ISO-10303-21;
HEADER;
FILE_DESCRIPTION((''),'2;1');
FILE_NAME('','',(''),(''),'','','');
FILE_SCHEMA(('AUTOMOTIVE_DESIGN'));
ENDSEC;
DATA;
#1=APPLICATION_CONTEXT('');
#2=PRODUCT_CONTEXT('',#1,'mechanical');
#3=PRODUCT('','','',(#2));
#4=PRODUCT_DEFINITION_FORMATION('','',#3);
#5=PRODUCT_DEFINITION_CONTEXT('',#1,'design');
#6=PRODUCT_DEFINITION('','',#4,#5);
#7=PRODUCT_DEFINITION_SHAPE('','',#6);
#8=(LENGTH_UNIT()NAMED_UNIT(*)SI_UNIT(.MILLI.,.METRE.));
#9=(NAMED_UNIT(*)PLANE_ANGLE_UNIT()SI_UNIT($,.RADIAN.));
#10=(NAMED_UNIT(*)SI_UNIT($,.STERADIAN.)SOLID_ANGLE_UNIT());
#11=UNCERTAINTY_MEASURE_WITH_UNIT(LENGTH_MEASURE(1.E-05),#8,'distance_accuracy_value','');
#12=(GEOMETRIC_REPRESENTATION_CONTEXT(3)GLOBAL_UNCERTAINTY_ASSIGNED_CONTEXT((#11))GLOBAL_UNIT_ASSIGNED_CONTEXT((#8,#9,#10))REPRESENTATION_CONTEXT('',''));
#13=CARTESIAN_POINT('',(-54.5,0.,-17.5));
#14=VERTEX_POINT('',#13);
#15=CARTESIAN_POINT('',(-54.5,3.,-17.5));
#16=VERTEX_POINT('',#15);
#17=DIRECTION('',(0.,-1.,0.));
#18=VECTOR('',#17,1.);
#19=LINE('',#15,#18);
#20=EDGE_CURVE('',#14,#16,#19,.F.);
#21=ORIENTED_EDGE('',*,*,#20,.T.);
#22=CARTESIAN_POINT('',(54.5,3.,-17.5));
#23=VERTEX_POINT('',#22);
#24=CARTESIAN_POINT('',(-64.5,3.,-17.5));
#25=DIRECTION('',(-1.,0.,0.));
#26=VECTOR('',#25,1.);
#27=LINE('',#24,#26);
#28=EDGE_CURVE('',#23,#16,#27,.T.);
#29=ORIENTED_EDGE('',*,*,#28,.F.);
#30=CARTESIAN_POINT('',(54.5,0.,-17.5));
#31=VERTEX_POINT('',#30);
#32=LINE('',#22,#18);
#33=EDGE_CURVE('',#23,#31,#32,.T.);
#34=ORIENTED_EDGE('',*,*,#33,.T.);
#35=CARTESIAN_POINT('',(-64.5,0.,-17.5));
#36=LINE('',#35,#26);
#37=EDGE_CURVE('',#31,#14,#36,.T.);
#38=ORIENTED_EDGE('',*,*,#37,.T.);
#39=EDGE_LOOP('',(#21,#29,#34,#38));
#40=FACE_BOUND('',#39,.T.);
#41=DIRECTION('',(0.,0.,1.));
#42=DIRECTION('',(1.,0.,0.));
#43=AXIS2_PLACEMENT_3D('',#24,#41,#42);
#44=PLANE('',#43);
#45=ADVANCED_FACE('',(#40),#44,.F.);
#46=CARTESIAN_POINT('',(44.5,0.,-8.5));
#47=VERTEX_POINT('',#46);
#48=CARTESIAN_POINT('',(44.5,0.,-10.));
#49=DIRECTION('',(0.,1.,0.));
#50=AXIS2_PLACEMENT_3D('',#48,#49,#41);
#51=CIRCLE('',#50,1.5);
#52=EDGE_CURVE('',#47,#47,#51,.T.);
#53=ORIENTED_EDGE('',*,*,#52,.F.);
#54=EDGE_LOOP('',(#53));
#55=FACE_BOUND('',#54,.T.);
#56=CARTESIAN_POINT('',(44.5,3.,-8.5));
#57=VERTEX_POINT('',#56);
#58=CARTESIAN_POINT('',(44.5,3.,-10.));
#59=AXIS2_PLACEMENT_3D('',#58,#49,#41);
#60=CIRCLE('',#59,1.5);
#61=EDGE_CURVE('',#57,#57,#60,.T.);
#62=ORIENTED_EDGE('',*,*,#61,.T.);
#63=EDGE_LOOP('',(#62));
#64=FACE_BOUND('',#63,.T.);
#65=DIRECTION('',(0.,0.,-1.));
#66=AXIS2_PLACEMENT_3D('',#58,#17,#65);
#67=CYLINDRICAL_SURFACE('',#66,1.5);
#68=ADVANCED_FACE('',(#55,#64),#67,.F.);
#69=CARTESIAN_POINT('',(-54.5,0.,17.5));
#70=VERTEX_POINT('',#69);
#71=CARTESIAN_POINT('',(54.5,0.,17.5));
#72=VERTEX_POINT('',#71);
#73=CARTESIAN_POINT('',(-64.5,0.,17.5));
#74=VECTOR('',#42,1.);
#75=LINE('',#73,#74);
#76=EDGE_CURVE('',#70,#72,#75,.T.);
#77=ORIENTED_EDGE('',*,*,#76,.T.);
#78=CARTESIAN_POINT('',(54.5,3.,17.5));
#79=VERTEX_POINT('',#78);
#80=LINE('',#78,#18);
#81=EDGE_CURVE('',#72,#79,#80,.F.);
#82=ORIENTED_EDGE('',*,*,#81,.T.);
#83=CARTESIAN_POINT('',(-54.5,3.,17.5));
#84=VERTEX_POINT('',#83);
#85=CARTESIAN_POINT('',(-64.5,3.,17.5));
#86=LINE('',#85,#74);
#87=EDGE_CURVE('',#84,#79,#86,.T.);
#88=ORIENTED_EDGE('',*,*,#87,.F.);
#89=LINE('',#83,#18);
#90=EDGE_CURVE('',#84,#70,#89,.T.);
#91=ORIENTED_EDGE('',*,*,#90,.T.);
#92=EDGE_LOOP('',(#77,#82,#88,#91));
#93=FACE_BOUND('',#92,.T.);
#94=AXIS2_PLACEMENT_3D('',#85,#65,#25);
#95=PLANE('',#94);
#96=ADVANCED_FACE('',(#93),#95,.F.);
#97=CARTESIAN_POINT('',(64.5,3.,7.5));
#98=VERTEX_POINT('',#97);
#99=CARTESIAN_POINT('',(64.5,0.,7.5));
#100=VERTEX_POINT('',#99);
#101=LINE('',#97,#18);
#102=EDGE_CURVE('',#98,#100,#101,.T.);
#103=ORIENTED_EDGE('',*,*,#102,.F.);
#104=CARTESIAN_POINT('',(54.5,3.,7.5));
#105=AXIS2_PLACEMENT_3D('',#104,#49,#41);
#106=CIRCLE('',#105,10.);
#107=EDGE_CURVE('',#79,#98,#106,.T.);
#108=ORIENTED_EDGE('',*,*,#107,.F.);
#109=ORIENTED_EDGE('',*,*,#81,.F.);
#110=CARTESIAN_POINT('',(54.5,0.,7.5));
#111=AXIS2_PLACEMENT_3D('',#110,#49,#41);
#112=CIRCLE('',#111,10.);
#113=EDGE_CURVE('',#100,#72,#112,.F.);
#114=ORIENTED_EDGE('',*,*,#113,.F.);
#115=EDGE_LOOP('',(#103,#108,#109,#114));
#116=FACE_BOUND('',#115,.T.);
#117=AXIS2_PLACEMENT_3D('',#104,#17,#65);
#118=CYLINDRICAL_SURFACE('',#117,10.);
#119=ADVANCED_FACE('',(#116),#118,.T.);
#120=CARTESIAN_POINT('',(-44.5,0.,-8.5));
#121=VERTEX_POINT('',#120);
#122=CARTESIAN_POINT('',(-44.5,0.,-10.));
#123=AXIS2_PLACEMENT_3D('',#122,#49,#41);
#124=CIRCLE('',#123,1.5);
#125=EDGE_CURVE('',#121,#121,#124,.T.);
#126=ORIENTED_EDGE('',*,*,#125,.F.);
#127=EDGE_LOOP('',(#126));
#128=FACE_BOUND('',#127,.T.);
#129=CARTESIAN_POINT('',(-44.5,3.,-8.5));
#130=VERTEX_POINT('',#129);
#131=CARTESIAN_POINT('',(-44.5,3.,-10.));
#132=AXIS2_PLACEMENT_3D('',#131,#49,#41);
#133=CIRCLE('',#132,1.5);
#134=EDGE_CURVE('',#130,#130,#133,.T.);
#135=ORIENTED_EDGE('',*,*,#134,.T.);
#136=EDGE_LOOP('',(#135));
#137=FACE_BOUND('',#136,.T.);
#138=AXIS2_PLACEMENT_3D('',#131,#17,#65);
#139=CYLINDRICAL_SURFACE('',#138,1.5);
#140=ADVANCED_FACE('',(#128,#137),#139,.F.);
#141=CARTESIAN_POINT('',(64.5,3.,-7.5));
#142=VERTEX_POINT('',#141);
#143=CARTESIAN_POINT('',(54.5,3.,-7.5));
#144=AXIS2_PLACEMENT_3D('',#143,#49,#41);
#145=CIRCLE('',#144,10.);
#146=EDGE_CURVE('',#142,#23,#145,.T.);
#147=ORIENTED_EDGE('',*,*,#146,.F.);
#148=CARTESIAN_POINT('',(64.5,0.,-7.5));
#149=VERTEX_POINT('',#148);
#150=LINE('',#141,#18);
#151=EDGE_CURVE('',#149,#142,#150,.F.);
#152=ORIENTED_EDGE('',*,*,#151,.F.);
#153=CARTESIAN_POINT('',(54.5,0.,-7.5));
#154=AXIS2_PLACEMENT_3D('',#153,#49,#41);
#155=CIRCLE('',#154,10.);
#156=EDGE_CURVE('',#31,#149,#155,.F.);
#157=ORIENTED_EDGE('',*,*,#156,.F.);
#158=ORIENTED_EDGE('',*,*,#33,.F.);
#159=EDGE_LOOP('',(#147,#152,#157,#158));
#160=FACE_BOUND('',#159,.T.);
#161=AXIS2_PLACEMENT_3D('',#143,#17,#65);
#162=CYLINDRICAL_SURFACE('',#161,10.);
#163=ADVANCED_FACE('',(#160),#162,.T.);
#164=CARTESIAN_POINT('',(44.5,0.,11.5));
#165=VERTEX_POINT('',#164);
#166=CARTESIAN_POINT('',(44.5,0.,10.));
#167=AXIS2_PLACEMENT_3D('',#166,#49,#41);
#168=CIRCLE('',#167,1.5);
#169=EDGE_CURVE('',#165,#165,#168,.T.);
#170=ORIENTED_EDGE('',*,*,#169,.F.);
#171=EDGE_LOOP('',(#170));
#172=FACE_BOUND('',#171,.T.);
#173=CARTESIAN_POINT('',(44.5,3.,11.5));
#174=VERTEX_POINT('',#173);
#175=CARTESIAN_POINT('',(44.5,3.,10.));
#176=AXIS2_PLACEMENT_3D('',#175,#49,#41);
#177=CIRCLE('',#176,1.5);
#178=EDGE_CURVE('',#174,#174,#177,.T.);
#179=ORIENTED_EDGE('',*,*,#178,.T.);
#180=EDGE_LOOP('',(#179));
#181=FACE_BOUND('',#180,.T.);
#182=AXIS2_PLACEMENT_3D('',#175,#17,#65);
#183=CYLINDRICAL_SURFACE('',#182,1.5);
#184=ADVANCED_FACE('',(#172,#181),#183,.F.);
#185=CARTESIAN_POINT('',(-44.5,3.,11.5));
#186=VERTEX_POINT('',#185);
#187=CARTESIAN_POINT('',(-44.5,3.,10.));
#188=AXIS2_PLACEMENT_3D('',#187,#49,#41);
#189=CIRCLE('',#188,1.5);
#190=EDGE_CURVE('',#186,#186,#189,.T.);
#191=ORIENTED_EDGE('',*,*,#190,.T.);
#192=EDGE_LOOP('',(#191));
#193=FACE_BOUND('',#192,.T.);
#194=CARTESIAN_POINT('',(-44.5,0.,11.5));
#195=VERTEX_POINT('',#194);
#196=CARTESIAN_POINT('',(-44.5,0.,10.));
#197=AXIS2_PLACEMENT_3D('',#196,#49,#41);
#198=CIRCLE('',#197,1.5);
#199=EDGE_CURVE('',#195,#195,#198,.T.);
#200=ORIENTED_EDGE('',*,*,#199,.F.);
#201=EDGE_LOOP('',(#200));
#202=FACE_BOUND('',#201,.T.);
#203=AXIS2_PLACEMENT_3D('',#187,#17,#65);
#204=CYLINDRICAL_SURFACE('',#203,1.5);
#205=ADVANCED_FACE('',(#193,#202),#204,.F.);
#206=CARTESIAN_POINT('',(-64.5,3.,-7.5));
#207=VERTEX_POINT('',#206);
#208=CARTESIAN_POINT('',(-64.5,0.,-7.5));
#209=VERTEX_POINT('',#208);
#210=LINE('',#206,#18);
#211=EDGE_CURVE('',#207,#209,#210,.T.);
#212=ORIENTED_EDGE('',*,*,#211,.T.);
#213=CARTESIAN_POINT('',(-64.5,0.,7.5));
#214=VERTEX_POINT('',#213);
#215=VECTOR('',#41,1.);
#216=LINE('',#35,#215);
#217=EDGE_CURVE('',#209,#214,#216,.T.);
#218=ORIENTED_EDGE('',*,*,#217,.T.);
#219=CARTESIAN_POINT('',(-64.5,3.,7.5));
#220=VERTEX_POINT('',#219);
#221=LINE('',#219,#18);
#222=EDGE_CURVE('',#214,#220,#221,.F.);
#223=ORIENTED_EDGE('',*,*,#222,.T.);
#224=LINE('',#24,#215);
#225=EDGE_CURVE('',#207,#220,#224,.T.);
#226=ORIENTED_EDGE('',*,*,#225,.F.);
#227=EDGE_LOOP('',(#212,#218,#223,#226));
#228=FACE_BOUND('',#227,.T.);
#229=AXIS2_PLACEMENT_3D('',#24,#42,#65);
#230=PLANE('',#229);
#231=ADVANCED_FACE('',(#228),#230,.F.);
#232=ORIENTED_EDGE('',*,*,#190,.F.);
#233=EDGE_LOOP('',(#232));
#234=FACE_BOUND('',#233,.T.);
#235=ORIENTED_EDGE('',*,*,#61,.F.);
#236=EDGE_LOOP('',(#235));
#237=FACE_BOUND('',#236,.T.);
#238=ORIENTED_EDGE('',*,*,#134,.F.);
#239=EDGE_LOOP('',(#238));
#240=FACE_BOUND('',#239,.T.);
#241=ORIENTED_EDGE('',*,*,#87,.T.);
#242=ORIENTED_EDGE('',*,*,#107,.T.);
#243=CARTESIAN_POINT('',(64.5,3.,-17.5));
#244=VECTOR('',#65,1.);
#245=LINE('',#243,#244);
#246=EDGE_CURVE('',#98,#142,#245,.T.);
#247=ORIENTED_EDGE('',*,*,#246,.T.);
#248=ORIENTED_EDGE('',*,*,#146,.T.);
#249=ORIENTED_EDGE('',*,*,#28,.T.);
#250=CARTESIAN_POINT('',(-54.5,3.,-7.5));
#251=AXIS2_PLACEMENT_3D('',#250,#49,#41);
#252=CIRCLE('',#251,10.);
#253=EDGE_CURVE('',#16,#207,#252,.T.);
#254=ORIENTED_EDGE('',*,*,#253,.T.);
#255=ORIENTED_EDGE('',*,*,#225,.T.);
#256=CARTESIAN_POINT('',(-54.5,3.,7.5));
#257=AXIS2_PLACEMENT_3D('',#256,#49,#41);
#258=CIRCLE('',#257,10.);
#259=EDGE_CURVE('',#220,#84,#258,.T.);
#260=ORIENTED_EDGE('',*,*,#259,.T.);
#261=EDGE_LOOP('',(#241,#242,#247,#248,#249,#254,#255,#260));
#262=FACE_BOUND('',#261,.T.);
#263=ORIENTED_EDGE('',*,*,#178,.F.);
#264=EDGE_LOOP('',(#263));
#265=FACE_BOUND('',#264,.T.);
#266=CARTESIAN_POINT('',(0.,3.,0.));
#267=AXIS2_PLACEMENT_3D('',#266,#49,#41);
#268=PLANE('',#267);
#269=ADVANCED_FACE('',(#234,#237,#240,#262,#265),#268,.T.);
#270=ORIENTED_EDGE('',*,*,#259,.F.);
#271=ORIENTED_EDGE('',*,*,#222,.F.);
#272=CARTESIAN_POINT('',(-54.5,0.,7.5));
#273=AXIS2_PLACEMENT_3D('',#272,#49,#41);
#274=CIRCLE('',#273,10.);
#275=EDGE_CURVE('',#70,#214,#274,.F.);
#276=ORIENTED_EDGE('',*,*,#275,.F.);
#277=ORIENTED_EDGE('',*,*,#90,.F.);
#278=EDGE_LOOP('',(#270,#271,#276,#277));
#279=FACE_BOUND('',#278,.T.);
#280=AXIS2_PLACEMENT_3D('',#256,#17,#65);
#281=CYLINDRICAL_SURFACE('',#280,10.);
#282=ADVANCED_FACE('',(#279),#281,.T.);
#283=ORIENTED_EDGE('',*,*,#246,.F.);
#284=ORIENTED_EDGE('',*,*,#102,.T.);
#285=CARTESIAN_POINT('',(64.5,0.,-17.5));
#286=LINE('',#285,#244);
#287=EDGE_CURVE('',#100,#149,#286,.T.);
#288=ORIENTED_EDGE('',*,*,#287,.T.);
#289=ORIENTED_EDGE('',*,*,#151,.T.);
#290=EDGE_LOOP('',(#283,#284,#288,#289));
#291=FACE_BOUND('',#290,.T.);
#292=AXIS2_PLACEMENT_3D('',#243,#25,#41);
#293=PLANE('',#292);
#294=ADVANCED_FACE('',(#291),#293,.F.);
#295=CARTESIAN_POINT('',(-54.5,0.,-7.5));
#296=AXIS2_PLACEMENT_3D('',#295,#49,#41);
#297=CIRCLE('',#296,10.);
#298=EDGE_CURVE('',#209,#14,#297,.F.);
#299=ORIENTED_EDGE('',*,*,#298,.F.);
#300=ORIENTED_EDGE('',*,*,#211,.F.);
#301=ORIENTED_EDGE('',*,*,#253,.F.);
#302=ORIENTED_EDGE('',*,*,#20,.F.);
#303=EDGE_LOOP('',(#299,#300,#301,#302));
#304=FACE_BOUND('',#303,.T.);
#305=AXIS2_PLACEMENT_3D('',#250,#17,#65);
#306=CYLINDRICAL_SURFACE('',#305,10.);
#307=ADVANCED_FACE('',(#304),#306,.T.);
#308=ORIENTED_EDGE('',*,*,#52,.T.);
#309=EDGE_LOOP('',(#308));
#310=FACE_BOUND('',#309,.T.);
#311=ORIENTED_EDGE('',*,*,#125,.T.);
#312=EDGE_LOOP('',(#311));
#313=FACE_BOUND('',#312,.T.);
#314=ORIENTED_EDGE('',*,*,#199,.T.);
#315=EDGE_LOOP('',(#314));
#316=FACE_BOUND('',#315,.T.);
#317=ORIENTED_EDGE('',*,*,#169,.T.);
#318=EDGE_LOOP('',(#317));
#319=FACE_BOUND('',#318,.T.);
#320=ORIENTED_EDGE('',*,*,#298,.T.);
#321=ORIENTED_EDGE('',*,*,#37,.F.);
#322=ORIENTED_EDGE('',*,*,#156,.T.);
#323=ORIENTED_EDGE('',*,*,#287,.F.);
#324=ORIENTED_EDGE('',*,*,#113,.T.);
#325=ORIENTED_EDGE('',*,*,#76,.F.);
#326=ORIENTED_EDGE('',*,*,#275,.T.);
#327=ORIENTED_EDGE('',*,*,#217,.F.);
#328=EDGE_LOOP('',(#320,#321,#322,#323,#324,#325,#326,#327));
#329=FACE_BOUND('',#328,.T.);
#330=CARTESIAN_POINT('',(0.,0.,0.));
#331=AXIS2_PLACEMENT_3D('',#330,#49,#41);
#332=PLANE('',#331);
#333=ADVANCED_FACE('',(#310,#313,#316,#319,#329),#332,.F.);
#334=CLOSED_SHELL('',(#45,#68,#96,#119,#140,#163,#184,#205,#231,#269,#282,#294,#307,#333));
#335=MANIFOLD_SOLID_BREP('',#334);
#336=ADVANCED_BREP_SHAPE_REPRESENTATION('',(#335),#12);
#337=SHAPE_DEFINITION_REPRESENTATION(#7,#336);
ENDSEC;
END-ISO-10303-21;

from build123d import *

# Parameters (mm, degrees)
SKETCH_1_W      = 129
SKETCH_1_H      = 35
SKETCH_1_R      = 1.5
EXTRUDE_1_DEPTH = 3
FILLET_1_R      = 10


with BuildPart() as part:
    # 草圖1 → 填料-伸長1 (new body)
    with BuildSketch(Plane(origin=(0, 0, 0), x_dir=(1, 0, 0), z_dir=(0, 1, 0))):
        Rectangle(SKETCH_1_W, SKETCH_1_H)
        with Locations(Location((-44.5, 10, 0), (0, 0, 270))):
            Circle(SKETCH_1_R, mode=Mode.SUBTRACT)
        with Locations(Location((-44.5, -10, 0), (0, 0, 270))):
            Circle(SKETCH_1_R, mode=Mode.SUBTRACT)
        with Locations(Location((44.5, -10, 0), (0, 0, 270))):
            Circle(SKETCH_1_R, mode=Mode.SUBTRACT)
        with Locations(Location((44.5, 10, 0), (0, 0, 270))):
            Circle(SKETCH_1_R, mode=Mode.SUBTRACT)
    extrude(amount=EXTRUDE_1_DEPTH)

    # 圓角1
    fillet_1_edges = [part.edges().sort_by_distance(p)[0] for p in [
        (64.5, 1.5, 17.5),
        (-64.5, 1.5, 17.5),
        (-64.5, 1.5, -17.5),
        (64.5, 1.5, -17.5),
    ]]
    fillet(fillet_1_edges, radius=FILLET_1_R)


solid = part.part
